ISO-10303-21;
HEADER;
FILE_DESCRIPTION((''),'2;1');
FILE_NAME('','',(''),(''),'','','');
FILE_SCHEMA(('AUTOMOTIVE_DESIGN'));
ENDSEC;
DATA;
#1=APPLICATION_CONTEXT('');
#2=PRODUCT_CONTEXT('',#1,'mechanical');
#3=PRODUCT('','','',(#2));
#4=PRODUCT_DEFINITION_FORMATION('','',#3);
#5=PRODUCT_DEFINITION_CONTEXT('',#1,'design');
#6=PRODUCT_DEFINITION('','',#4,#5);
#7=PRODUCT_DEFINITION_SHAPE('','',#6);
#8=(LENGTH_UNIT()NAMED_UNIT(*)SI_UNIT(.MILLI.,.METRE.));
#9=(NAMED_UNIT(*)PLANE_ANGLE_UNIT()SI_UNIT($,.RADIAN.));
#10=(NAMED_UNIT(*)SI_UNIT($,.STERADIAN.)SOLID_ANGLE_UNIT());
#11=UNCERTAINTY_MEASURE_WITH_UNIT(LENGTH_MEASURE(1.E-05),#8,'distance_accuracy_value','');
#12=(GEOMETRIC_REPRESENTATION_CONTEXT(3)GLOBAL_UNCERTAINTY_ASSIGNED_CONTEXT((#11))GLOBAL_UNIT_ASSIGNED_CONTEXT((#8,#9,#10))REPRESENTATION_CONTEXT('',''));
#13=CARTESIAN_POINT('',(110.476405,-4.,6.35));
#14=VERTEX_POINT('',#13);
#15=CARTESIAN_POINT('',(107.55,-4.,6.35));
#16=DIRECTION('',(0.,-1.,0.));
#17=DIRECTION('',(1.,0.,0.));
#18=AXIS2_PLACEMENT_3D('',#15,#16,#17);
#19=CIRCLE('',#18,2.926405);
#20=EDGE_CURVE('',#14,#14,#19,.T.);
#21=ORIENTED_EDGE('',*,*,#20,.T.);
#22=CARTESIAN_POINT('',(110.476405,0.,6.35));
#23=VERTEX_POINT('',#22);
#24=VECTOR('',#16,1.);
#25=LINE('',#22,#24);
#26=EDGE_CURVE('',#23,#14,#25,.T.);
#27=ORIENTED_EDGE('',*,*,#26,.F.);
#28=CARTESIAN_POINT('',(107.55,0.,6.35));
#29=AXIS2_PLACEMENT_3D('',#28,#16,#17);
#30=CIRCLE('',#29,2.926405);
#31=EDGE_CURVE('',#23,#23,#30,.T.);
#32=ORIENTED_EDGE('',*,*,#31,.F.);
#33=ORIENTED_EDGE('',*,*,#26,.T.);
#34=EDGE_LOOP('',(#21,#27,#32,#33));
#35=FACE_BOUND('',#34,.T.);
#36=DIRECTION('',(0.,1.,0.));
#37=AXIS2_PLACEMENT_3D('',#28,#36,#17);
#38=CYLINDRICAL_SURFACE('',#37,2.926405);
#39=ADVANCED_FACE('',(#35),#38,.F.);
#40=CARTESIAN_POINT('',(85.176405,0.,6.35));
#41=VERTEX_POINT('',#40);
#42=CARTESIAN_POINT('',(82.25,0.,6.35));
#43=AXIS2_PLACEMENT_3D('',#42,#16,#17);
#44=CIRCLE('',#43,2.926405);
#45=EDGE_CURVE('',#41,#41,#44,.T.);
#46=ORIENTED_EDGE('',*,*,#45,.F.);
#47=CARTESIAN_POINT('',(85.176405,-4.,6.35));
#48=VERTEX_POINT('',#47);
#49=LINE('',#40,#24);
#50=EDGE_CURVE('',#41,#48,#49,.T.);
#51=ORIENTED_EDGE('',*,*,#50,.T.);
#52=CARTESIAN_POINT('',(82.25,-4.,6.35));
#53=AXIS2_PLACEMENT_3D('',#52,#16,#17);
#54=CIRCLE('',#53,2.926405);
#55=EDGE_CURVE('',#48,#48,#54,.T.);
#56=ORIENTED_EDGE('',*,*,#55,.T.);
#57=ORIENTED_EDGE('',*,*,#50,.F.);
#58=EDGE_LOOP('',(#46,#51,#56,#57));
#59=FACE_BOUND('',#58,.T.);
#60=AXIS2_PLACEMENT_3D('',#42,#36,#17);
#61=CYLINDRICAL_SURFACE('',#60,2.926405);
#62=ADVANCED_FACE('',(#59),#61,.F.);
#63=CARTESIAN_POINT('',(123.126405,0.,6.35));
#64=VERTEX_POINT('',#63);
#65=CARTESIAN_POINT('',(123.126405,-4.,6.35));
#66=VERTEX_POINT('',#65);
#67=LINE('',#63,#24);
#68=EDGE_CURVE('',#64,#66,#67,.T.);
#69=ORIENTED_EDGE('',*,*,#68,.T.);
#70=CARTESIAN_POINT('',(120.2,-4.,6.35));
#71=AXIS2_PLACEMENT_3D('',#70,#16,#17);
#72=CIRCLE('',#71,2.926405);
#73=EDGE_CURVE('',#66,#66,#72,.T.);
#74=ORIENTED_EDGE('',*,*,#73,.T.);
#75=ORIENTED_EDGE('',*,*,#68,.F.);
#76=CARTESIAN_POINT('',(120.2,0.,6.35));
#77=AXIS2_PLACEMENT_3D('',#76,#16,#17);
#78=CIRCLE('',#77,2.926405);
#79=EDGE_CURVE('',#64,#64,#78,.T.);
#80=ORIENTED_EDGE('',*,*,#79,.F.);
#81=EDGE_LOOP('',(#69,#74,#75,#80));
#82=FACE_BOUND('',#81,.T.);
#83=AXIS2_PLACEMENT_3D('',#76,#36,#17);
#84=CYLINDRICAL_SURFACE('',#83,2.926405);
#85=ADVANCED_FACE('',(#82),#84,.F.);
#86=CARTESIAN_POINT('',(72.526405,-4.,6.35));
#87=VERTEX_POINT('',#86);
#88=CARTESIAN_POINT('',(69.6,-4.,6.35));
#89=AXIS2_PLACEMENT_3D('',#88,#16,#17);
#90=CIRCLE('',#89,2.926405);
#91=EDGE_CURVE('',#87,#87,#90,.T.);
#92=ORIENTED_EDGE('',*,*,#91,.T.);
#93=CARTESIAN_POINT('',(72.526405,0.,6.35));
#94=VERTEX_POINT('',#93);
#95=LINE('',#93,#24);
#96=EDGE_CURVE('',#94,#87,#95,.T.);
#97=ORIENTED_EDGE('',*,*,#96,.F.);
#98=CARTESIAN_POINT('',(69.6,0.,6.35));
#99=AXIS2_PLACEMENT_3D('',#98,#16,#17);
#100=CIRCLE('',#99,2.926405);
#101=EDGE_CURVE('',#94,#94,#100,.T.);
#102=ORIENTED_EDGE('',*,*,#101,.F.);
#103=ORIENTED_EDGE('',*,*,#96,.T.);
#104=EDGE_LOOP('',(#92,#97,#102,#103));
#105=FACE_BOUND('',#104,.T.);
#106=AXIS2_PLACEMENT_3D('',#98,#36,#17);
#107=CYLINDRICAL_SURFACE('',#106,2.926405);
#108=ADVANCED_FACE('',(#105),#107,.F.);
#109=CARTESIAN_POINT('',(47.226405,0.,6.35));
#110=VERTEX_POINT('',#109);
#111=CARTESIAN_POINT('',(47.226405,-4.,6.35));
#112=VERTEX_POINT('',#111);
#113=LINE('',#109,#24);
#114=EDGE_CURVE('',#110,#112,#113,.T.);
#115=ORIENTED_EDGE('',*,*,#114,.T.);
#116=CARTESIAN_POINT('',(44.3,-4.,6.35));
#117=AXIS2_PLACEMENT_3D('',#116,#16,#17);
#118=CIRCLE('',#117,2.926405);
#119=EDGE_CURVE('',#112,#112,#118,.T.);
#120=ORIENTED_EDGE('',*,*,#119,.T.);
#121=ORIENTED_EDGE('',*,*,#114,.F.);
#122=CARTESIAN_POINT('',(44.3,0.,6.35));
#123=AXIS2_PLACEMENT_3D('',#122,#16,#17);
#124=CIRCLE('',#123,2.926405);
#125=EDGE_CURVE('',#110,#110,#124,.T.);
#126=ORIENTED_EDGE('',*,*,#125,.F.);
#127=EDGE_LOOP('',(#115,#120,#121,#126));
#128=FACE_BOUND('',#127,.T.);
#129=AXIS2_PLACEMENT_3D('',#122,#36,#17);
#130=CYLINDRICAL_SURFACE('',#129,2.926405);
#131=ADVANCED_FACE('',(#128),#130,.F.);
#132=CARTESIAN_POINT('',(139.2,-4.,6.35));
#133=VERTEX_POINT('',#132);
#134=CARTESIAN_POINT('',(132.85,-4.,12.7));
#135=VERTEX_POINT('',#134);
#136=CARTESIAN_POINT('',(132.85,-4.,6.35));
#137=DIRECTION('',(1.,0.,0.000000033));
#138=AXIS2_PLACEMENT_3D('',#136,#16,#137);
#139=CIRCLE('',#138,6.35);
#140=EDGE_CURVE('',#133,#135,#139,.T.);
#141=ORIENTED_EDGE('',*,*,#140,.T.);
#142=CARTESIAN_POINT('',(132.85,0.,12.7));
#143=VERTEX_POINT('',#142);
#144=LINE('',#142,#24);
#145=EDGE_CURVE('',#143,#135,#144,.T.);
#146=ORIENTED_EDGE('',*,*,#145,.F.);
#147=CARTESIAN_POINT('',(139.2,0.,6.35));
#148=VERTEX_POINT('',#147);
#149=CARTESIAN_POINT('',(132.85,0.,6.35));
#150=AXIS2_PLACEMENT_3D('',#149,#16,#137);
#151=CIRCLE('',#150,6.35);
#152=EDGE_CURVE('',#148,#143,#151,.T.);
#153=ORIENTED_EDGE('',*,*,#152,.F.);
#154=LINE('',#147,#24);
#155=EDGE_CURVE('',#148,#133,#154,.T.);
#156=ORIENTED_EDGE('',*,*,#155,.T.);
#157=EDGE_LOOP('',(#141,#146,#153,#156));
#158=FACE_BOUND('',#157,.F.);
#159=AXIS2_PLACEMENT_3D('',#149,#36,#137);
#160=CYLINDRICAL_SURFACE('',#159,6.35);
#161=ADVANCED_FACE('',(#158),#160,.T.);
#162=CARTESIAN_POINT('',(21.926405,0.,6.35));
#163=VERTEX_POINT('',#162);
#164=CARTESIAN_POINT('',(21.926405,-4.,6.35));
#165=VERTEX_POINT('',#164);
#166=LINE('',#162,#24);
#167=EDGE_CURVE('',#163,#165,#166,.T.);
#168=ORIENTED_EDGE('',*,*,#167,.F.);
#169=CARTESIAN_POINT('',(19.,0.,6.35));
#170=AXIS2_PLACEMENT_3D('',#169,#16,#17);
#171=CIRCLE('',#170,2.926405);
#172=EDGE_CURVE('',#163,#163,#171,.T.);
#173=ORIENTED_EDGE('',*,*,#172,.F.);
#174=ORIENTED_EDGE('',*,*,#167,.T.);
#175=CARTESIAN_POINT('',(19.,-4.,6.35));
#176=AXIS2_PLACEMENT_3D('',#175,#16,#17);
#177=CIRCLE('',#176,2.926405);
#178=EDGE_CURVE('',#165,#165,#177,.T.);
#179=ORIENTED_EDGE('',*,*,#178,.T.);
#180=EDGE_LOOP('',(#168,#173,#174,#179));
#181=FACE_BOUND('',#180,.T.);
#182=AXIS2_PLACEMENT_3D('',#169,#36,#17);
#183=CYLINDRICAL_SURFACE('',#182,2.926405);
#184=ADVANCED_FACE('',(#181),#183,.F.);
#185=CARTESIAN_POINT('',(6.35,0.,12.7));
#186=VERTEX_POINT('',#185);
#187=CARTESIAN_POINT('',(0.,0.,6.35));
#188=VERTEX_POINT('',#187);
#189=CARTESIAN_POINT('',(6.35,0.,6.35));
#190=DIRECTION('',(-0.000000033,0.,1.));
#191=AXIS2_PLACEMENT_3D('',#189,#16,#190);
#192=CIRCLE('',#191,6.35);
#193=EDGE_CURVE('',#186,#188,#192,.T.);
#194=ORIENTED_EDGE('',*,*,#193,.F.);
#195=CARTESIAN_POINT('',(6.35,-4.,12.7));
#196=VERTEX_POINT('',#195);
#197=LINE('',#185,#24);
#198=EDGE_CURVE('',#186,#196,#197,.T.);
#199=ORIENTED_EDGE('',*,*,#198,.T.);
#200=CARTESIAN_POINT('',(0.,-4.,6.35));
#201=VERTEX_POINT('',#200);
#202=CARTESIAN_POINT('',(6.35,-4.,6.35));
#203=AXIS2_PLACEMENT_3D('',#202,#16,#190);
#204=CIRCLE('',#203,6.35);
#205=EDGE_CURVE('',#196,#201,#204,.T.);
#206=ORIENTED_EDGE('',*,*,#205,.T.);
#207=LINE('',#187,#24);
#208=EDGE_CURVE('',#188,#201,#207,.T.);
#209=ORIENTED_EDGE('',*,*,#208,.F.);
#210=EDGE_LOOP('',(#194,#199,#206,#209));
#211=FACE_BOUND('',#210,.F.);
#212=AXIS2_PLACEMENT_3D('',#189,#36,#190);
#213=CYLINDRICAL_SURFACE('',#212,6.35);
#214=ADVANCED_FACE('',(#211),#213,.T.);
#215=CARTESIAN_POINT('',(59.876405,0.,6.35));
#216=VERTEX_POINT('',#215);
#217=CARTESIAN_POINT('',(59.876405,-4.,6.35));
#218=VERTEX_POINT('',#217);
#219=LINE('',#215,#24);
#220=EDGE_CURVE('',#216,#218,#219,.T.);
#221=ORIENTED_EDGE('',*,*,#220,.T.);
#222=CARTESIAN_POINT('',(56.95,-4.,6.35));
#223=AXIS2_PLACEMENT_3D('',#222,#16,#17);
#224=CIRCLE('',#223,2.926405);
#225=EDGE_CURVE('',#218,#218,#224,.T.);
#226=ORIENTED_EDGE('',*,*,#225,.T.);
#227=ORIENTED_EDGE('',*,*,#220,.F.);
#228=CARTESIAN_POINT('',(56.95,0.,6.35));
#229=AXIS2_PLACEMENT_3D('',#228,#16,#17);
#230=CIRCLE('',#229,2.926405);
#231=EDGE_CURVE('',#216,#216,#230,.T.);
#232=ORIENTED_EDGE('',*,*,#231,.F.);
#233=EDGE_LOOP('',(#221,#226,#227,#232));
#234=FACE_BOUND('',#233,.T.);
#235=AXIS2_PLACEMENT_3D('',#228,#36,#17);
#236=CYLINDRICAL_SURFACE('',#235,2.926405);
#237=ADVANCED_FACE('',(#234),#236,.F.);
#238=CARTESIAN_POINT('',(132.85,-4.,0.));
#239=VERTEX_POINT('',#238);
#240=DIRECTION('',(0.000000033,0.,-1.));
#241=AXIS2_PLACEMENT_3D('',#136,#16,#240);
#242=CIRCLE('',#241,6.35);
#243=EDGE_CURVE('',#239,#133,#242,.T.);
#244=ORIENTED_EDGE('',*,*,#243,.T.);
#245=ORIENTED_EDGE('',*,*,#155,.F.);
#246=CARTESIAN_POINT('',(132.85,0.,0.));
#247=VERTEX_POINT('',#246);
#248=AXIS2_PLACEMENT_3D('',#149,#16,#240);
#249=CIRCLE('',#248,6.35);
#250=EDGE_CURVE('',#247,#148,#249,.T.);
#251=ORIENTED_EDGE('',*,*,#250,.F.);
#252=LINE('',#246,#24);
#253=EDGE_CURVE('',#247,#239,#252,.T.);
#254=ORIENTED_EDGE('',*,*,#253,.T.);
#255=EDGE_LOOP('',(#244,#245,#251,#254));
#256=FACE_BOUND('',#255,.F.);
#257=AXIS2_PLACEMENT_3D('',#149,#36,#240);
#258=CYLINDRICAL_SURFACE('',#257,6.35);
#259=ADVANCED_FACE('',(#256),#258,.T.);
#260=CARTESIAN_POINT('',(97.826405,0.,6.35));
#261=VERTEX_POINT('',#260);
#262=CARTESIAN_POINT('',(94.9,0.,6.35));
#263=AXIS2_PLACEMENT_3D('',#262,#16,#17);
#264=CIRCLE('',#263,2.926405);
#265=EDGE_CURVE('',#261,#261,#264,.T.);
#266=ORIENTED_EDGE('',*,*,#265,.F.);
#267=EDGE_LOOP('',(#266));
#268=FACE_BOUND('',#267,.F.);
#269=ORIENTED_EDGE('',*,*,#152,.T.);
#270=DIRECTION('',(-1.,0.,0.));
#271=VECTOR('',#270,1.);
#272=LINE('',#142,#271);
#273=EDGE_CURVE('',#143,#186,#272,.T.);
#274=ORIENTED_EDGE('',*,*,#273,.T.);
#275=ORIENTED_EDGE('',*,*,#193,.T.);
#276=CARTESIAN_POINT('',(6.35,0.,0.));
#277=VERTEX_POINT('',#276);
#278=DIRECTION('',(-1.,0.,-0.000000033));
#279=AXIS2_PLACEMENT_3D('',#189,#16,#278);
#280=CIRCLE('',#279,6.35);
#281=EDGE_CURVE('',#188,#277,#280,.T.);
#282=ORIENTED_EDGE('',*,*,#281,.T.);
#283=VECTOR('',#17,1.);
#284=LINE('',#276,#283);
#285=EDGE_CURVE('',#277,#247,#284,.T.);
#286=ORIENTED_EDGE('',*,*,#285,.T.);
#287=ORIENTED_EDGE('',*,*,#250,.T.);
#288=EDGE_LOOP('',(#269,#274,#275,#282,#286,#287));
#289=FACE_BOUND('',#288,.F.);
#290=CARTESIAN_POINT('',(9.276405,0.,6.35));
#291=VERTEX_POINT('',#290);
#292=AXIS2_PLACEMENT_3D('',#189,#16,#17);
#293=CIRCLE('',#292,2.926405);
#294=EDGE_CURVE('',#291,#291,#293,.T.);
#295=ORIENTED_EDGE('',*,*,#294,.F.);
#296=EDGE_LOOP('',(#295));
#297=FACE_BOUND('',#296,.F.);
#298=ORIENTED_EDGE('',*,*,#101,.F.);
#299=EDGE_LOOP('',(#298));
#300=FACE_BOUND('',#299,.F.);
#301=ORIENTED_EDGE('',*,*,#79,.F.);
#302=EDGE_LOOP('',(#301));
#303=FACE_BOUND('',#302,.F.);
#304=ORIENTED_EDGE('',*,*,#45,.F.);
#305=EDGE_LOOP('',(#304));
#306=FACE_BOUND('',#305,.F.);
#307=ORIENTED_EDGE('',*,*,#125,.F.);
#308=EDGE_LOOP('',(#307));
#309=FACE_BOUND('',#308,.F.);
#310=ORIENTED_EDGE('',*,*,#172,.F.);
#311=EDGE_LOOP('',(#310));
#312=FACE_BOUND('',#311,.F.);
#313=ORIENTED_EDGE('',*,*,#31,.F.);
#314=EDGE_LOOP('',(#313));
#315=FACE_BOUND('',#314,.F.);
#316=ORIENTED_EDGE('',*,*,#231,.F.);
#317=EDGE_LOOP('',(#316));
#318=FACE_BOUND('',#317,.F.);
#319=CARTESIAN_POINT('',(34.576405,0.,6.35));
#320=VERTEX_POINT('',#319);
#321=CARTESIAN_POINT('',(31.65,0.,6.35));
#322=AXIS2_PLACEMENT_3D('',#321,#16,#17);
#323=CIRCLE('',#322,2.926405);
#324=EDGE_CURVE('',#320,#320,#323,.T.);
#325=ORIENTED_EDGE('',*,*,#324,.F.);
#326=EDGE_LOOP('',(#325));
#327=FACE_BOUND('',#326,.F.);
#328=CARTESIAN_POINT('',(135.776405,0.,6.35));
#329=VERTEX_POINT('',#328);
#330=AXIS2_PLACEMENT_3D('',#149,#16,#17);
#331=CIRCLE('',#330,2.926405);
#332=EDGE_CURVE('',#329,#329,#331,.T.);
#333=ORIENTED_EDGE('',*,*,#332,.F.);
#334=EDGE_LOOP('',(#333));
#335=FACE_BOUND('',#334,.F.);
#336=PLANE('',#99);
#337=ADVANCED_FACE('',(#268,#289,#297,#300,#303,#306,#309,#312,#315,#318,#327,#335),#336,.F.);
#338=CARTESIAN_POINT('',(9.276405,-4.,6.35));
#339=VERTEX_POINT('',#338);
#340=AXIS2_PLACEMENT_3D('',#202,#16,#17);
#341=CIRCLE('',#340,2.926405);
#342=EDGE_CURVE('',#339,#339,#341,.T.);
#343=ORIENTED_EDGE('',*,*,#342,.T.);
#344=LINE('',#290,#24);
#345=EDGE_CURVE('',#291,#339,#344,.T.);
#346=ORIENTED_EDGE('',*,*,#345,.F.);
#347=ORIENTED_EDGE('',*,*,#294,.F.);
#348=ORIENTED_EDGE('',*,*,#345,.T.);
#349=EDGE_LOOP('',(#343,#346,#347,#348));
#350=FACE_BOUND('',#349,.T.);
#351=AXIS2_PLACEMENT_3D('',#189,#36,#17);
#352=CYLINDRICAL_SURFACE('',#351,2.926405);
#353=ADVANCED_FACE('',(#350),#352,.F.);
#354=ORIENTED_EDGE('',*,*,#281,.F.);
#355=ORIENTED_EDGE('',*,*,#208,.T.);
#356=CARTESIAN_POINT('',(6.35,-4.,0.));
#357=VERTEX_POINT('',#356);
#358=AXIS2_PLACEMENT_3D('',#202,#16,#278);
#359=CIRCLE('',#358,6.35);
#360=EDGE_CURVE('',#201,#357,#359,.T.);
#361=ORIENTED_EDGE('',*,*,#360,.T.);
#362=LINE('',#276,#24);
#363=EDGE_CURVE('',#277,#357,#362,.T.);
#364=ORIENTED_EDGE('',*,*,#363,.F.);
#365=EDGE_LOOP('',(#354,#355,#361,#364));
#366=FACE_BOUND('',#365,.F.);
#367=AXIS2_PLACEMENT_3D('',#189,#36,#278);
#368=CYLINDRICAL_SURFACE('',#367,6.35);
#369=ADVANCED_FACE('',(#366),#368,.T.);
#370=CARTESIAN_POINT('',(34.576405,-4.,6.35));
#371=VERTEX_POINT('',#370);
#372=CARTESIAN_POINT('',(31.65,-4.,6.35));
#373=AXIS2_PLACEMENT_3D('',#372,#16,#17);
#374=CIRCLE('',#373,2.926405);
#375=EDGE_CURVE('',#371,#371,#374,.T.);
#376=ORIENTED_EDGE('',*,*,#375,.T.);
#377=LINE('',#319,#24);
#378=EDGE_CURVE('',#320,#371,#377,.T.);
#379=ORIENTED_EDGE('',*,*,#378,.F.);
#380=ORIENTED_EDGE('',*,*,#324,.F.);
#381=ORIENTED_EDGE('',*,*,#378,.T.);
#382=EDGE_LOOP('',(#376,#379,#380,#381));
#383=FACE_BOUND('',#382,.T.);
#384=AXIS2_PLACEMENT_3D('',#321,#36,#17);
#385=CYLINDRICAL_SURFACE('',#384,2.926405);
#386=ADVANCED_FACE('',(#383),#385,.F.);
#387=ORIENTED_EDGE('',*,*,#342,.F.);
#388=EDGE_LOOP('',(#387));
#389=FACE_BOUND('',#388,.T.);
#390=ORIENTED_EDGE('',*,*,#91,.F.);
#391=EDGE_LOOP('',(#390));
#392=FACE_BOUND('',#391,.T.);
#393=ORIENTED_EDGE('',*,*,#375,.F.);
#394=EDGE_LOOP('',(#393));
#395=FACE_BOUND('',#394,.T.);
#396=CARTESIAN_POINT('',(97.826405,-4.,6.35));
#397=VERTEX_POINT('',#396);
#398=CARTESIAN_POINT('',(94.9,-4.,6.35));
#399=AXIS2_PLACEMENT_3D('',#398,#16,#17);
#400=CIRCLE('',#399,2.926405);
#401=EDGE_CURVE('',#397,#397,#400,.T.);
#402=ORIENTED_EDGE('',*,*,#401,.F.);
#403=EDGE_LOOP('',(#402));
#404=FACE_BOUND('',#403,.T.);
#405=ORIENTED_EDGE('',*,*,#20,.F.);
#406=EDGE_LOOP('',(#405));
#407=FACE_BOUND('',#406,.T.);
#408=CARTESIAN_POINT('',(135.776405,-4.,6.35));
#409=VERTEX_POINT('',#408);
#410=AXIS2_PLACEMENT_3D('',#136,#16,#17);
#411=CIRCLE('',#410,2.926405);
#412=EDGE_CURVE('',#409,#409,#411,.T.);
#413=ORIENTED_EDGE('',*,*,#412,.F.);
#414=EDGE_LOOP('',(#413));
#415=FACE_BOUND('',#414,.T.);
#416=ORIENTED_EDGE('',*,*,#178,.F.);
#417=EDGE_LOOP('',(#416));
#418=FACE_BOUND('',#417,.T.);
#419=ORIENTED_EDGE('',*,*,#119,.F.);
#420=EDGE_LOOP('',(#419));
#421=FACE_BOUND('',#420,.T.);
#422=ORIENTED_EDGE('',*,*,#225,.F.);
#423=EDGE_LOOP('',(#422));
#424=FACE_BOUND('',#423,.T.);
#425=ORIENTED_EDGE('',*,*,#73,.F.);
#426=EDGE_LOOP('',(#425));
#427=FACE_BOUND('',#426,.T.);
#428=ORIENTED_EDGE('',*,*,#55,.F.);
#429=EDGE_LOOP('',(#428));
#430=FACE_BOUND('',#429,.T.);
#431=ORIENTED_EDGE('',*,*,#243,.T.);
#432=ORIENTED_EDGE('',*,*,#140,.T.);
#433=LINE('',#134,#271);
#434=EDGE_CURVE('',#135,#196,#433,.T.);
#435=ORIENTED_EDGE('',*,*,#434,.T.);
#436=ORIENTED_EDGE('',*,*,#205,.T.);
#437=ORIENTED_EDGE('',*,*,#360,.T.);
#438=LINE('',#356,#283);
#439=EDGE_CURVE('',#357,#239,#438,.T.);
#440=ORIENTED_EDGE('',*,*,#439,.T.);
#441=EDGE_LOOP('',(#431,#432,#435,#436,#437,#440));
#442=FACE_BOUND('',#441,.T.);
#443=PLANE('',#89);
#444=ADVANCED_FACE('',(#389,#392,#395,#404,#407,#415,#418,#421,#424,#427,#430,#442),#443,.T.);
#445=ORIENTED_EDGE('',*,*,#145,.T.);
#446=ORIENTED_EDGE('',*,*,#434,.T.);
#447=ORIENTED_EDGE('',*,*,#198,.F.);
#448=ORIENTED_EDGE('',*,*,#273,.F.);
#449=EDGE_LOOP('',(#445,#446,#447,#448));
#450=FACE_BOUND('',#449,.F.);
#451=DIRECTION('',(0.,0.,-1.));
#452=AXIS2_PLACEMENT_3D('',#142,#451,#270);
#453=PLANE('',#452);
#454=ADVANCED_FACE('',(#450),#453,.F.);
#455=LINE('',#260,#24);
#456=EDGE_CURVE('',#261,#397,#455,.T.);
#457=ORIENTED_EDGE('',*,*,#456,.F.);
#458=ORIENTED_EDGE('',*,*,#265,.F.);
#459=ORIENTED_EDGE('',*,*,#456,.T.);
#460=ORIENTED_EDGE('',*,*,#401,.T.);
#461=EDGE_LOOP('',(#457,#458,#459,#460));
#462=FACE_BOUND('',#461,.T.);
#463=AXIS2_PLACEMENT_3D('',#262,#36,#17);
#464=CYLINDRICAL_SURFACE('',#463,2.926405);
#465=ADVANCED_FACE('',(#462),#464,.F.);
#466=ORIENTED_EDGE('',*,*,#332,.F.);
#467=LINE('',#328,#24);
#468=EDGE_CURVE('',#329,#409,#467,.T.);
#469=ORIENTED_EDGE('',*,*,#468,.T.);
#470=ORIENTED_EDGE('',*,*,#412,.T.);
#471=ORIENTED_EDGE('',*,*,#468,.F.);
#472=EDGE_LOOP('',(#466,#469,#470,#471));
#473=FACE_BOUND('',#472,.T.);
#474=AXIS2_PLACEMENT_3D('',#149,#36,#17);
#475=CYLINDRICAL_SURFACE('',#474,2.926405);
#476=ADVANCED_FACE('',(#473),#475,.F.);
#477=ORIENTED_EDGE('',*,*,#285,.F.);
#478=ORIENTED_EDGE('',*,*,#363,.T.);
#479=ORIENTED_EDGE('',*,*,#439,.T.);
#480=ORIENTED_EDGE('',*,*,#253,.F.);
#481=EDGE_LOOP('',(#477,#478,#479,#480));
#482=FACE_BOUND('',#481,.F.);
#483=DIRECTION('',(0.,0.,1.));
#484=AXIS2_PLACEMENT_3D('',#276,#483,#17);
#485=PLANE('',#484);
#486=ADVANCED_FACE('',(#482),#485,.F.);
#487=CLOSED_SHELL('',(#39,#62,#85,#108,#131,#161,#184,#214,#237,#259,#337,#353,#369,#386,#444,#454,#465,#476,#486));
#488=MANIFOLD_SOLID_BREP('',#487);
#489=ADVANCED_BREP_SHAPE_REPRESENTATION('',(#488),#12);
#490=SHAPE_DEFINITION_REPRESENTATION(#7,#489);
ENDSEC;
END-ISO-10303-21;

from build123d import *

# Parameters (mm, degrees)
F0_R     = 2.926405
F1_DEPTH = 4


with BuildPart() as f1:
    # F0 (on Front) → F1 (new body)
    with BuildSketch(Plane.XZ):
        with BuildLine():
            ThreePointArc((0, 6.35), (1.859872, 1.859872), (6.35, 0))
            Line((6.35, 0), (132.85, 0))
            ThreePointArc((132.85, 0), (137.340128, 1.859872), (139.2, 6.35))
            ThreePointArc((139.2, 6.35), (137.340128, 10.840128), (132.85, 12.7))
            Line((132.85, 12.7), (6.35, 12.7))
            ThreePointArc((6.35, 12.7), (1.859872, 10.840128), (0, 6.35))
        make_face()
        with Locations((6.35, 6.35)):
            Circle(F0_R, mode=Mode.SUBTRACT)
        with Locations((19, 6.35)):
            Circle(F0_R, mode=Mode.SUBTRACT)
        with Locations((31.65, 6.35)):
            Circle(F0_R, mode=Mode.SUBTRACT)
        with Locations((44.3, 6.35)):
            Circle(F0_R, mode=Mode.SUBTRACT)
        with Locations((56.95, 6.35)):
            Circle(F0_R, mode=Mode.SUBTRACT)
        with Locations((69.6, 6.35)):
            Circle(F0_R, mode=Mode.SUBTRACT)
        with Locations((82.25, 6.35)):
            Circle(F0_R, mode=Mode.SUBTRACT)
        with Locations((94.9, 6.35)):
            Circle(F0_R, mode=Mode.SUBTRACT)
        with Locations((107.55, 6.35)):
            Circle(F0_R, mode=Mode.SUBTRACT)
        with Locations((120.2, 6.35)):
            Circle(F0_R, mode=Mode.SUBTRACT)
        with Locations((132.85, 6.35)):
            Circle(F0_R, mode=Mode.SUBTRACT)
    extrude(amount=F1_DEPTH)


solid = f1.part
